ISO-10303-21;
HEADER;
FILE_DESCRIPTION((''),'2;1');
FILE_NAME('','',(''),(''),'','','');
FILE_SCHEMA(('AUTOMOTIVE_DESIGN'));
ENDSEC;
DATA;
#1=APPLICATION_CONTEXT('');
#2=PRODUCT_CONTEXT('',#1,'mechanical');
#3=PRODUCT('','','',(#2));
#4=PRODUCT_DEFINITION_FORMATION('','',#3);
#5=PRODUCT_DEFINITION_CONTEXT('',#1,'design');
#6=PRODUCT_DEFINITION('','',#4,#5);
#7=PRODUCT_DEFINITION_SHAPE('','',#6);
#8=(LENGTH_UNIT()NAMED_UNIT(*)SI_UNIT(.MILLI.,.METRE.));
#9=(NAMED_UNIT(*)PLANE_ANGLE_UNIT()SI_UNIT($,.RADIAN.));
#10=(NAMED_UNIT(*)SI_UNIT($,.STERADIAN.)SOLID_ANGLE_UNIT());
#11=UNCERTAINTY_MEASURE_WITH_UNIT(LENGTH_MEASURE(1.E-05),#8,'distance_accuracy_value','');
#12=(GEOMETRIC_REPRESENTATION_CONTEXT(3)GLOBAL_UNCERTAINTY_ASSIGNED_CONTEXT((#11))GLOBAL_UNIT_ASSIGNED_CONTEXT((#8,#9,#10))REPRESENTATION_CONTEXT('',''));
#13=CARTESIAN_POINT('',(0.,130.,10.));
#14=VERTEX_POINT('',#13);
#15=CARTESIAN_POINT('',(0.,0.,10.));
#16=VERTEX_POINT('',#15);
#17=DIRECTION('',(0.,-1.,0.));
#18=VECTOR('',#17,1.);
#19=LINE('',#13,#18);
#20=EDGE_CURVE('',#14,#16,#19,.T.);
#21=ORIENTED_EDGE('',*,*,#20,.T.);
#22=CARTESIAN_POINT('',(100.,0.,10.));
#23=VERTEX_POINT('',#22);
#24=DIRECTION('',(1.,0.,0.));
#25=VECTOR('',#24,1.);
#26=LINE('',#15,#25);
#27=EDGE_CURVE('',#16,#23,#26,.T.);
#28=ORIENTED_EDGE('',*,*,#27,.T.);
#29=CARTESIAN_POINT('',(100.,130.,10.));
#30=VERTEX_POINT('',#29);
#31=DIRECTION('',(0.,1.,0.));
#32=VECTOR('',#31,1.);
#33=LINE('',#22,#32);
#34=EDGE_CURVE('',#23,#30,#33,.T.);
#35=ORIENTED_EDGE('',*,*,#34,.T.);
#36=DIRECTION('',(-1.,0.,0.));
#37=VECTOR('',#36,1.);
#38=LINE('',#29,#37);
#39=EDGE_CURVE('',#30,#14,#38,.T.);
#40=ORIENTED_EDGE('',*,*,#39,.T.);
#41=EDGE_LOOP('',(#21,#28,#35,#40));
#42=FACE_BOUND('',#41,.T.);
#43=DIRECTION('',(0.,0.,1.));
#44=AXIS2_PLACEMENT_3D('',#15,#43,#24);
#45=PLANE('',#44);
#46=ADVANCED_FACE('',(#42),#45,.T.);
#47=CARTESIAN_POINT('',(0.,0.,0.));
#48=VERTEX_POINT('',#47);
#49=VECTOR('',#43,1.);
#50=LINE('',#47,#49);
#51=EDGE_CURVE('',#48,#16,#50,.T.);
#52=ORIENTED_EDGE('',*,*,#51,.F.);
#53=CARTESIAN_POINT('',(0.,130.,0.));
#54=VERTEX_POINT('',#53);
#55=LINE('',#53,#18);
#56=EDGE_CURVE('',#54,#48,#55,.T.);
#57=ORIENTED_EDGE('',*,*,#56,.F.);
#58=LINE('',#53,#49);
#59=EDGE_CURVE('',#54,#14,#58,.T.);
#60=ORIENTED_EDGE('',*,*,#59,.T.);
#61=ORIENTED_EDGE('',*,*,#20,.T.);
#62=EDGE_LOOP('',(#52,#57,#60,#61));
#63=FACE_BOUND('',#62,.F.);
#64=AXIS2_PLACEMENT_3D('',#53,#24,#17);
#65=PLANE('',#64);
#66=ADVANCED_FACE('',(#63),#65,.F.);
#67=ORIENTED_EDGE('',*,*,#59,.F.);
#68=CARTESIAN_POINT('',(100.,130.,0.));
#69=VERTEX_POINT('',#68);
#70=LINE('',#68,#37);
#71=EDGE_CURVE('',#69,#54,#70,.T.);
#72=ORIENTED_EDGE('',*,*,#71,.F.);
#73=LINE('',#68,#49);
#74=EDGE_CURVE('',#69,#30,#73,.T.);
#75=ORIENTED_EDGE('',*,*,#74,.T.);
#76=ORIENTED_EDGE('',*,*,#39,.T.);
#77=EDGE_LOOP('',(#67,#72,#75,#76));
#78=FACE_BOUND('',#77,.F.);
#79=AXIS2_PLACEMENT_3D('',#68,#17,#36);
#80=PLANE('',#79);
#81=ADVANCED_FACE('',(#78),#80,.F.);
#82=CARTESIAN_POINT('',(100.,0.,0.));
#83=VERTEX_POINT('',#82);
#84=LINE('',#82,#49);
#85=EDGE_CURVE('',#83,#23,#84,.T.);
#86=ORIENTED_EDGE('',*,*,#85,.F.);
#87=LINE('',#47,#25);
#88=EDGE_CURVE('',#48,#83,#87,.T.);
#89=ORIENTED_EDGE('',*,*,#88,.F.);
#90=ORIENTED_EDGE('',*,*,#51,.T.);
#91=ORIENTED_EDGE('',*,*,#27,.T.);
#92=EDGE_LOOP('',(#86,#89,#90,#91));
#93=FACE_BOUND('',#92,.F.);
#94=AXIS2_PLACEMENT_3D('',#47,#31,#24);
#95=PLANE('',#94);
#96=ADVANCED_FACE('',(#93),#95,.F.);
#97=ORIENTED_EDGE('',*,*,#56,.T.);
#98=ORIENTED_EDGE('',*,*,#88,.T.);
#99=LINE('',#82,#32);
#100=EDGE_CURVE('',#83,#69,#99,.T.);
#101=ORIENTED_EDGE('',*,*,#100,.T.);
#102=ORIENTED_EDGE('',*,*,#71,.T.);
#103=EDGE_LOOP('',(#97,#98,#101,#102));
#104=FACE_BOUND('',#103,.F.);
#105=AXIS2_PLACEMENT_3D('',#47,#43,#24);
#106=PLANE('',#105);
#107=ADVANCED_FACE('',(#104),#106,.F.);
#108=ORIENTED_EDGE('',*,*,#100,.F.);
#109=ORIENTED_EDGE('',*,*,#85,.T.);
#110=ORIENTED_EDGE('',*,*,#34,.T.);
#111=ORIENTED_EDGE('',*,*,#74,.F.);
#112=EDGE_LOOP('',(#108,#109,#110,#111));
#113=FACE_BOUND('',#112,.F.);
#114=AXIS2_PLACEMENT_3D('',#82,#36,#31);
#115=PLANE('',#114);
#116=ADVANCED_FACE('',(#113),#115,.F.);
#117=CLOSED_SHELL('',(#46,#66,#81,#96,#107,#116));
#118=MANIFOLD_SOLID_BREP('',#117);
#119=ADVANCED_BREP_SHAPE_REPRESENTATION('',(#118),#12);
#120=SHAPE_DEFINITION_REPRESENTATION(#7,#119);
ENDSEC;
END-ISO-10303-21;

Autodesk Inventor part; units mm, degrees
ref_plane "YZ Plane" through (0, 0, 0) normal (1, 0, 0) x (0, 1, 0)
ref_plane "XZ Plane" through (0, 0, 0) normal (0, 1, 0) x (-1, 0, 0)
ref_plane "XY Plane" through (0, 0, 0) normal (0, 0, 1) x (1, 0, 0)
sketch "Sketch1" plane through (0, 0, 0) normal (0, 0, 1) x (1, 0, 0)
  line L0 (0, 0) -> (100, 0)
  line L1 (100, 0) -> (100, 130)
  line L2 (100, 130) -> (0, 130)
  line L3 (0, 130) -> (0, 0)
  dimension "d0" = 100
  dimension "d1" = 130
extrude "Extrusion1" add sketch "Sketch1" along normal blind 10
properties part number "Frente inferior - porta" material "Polycarbonate, Clear"
